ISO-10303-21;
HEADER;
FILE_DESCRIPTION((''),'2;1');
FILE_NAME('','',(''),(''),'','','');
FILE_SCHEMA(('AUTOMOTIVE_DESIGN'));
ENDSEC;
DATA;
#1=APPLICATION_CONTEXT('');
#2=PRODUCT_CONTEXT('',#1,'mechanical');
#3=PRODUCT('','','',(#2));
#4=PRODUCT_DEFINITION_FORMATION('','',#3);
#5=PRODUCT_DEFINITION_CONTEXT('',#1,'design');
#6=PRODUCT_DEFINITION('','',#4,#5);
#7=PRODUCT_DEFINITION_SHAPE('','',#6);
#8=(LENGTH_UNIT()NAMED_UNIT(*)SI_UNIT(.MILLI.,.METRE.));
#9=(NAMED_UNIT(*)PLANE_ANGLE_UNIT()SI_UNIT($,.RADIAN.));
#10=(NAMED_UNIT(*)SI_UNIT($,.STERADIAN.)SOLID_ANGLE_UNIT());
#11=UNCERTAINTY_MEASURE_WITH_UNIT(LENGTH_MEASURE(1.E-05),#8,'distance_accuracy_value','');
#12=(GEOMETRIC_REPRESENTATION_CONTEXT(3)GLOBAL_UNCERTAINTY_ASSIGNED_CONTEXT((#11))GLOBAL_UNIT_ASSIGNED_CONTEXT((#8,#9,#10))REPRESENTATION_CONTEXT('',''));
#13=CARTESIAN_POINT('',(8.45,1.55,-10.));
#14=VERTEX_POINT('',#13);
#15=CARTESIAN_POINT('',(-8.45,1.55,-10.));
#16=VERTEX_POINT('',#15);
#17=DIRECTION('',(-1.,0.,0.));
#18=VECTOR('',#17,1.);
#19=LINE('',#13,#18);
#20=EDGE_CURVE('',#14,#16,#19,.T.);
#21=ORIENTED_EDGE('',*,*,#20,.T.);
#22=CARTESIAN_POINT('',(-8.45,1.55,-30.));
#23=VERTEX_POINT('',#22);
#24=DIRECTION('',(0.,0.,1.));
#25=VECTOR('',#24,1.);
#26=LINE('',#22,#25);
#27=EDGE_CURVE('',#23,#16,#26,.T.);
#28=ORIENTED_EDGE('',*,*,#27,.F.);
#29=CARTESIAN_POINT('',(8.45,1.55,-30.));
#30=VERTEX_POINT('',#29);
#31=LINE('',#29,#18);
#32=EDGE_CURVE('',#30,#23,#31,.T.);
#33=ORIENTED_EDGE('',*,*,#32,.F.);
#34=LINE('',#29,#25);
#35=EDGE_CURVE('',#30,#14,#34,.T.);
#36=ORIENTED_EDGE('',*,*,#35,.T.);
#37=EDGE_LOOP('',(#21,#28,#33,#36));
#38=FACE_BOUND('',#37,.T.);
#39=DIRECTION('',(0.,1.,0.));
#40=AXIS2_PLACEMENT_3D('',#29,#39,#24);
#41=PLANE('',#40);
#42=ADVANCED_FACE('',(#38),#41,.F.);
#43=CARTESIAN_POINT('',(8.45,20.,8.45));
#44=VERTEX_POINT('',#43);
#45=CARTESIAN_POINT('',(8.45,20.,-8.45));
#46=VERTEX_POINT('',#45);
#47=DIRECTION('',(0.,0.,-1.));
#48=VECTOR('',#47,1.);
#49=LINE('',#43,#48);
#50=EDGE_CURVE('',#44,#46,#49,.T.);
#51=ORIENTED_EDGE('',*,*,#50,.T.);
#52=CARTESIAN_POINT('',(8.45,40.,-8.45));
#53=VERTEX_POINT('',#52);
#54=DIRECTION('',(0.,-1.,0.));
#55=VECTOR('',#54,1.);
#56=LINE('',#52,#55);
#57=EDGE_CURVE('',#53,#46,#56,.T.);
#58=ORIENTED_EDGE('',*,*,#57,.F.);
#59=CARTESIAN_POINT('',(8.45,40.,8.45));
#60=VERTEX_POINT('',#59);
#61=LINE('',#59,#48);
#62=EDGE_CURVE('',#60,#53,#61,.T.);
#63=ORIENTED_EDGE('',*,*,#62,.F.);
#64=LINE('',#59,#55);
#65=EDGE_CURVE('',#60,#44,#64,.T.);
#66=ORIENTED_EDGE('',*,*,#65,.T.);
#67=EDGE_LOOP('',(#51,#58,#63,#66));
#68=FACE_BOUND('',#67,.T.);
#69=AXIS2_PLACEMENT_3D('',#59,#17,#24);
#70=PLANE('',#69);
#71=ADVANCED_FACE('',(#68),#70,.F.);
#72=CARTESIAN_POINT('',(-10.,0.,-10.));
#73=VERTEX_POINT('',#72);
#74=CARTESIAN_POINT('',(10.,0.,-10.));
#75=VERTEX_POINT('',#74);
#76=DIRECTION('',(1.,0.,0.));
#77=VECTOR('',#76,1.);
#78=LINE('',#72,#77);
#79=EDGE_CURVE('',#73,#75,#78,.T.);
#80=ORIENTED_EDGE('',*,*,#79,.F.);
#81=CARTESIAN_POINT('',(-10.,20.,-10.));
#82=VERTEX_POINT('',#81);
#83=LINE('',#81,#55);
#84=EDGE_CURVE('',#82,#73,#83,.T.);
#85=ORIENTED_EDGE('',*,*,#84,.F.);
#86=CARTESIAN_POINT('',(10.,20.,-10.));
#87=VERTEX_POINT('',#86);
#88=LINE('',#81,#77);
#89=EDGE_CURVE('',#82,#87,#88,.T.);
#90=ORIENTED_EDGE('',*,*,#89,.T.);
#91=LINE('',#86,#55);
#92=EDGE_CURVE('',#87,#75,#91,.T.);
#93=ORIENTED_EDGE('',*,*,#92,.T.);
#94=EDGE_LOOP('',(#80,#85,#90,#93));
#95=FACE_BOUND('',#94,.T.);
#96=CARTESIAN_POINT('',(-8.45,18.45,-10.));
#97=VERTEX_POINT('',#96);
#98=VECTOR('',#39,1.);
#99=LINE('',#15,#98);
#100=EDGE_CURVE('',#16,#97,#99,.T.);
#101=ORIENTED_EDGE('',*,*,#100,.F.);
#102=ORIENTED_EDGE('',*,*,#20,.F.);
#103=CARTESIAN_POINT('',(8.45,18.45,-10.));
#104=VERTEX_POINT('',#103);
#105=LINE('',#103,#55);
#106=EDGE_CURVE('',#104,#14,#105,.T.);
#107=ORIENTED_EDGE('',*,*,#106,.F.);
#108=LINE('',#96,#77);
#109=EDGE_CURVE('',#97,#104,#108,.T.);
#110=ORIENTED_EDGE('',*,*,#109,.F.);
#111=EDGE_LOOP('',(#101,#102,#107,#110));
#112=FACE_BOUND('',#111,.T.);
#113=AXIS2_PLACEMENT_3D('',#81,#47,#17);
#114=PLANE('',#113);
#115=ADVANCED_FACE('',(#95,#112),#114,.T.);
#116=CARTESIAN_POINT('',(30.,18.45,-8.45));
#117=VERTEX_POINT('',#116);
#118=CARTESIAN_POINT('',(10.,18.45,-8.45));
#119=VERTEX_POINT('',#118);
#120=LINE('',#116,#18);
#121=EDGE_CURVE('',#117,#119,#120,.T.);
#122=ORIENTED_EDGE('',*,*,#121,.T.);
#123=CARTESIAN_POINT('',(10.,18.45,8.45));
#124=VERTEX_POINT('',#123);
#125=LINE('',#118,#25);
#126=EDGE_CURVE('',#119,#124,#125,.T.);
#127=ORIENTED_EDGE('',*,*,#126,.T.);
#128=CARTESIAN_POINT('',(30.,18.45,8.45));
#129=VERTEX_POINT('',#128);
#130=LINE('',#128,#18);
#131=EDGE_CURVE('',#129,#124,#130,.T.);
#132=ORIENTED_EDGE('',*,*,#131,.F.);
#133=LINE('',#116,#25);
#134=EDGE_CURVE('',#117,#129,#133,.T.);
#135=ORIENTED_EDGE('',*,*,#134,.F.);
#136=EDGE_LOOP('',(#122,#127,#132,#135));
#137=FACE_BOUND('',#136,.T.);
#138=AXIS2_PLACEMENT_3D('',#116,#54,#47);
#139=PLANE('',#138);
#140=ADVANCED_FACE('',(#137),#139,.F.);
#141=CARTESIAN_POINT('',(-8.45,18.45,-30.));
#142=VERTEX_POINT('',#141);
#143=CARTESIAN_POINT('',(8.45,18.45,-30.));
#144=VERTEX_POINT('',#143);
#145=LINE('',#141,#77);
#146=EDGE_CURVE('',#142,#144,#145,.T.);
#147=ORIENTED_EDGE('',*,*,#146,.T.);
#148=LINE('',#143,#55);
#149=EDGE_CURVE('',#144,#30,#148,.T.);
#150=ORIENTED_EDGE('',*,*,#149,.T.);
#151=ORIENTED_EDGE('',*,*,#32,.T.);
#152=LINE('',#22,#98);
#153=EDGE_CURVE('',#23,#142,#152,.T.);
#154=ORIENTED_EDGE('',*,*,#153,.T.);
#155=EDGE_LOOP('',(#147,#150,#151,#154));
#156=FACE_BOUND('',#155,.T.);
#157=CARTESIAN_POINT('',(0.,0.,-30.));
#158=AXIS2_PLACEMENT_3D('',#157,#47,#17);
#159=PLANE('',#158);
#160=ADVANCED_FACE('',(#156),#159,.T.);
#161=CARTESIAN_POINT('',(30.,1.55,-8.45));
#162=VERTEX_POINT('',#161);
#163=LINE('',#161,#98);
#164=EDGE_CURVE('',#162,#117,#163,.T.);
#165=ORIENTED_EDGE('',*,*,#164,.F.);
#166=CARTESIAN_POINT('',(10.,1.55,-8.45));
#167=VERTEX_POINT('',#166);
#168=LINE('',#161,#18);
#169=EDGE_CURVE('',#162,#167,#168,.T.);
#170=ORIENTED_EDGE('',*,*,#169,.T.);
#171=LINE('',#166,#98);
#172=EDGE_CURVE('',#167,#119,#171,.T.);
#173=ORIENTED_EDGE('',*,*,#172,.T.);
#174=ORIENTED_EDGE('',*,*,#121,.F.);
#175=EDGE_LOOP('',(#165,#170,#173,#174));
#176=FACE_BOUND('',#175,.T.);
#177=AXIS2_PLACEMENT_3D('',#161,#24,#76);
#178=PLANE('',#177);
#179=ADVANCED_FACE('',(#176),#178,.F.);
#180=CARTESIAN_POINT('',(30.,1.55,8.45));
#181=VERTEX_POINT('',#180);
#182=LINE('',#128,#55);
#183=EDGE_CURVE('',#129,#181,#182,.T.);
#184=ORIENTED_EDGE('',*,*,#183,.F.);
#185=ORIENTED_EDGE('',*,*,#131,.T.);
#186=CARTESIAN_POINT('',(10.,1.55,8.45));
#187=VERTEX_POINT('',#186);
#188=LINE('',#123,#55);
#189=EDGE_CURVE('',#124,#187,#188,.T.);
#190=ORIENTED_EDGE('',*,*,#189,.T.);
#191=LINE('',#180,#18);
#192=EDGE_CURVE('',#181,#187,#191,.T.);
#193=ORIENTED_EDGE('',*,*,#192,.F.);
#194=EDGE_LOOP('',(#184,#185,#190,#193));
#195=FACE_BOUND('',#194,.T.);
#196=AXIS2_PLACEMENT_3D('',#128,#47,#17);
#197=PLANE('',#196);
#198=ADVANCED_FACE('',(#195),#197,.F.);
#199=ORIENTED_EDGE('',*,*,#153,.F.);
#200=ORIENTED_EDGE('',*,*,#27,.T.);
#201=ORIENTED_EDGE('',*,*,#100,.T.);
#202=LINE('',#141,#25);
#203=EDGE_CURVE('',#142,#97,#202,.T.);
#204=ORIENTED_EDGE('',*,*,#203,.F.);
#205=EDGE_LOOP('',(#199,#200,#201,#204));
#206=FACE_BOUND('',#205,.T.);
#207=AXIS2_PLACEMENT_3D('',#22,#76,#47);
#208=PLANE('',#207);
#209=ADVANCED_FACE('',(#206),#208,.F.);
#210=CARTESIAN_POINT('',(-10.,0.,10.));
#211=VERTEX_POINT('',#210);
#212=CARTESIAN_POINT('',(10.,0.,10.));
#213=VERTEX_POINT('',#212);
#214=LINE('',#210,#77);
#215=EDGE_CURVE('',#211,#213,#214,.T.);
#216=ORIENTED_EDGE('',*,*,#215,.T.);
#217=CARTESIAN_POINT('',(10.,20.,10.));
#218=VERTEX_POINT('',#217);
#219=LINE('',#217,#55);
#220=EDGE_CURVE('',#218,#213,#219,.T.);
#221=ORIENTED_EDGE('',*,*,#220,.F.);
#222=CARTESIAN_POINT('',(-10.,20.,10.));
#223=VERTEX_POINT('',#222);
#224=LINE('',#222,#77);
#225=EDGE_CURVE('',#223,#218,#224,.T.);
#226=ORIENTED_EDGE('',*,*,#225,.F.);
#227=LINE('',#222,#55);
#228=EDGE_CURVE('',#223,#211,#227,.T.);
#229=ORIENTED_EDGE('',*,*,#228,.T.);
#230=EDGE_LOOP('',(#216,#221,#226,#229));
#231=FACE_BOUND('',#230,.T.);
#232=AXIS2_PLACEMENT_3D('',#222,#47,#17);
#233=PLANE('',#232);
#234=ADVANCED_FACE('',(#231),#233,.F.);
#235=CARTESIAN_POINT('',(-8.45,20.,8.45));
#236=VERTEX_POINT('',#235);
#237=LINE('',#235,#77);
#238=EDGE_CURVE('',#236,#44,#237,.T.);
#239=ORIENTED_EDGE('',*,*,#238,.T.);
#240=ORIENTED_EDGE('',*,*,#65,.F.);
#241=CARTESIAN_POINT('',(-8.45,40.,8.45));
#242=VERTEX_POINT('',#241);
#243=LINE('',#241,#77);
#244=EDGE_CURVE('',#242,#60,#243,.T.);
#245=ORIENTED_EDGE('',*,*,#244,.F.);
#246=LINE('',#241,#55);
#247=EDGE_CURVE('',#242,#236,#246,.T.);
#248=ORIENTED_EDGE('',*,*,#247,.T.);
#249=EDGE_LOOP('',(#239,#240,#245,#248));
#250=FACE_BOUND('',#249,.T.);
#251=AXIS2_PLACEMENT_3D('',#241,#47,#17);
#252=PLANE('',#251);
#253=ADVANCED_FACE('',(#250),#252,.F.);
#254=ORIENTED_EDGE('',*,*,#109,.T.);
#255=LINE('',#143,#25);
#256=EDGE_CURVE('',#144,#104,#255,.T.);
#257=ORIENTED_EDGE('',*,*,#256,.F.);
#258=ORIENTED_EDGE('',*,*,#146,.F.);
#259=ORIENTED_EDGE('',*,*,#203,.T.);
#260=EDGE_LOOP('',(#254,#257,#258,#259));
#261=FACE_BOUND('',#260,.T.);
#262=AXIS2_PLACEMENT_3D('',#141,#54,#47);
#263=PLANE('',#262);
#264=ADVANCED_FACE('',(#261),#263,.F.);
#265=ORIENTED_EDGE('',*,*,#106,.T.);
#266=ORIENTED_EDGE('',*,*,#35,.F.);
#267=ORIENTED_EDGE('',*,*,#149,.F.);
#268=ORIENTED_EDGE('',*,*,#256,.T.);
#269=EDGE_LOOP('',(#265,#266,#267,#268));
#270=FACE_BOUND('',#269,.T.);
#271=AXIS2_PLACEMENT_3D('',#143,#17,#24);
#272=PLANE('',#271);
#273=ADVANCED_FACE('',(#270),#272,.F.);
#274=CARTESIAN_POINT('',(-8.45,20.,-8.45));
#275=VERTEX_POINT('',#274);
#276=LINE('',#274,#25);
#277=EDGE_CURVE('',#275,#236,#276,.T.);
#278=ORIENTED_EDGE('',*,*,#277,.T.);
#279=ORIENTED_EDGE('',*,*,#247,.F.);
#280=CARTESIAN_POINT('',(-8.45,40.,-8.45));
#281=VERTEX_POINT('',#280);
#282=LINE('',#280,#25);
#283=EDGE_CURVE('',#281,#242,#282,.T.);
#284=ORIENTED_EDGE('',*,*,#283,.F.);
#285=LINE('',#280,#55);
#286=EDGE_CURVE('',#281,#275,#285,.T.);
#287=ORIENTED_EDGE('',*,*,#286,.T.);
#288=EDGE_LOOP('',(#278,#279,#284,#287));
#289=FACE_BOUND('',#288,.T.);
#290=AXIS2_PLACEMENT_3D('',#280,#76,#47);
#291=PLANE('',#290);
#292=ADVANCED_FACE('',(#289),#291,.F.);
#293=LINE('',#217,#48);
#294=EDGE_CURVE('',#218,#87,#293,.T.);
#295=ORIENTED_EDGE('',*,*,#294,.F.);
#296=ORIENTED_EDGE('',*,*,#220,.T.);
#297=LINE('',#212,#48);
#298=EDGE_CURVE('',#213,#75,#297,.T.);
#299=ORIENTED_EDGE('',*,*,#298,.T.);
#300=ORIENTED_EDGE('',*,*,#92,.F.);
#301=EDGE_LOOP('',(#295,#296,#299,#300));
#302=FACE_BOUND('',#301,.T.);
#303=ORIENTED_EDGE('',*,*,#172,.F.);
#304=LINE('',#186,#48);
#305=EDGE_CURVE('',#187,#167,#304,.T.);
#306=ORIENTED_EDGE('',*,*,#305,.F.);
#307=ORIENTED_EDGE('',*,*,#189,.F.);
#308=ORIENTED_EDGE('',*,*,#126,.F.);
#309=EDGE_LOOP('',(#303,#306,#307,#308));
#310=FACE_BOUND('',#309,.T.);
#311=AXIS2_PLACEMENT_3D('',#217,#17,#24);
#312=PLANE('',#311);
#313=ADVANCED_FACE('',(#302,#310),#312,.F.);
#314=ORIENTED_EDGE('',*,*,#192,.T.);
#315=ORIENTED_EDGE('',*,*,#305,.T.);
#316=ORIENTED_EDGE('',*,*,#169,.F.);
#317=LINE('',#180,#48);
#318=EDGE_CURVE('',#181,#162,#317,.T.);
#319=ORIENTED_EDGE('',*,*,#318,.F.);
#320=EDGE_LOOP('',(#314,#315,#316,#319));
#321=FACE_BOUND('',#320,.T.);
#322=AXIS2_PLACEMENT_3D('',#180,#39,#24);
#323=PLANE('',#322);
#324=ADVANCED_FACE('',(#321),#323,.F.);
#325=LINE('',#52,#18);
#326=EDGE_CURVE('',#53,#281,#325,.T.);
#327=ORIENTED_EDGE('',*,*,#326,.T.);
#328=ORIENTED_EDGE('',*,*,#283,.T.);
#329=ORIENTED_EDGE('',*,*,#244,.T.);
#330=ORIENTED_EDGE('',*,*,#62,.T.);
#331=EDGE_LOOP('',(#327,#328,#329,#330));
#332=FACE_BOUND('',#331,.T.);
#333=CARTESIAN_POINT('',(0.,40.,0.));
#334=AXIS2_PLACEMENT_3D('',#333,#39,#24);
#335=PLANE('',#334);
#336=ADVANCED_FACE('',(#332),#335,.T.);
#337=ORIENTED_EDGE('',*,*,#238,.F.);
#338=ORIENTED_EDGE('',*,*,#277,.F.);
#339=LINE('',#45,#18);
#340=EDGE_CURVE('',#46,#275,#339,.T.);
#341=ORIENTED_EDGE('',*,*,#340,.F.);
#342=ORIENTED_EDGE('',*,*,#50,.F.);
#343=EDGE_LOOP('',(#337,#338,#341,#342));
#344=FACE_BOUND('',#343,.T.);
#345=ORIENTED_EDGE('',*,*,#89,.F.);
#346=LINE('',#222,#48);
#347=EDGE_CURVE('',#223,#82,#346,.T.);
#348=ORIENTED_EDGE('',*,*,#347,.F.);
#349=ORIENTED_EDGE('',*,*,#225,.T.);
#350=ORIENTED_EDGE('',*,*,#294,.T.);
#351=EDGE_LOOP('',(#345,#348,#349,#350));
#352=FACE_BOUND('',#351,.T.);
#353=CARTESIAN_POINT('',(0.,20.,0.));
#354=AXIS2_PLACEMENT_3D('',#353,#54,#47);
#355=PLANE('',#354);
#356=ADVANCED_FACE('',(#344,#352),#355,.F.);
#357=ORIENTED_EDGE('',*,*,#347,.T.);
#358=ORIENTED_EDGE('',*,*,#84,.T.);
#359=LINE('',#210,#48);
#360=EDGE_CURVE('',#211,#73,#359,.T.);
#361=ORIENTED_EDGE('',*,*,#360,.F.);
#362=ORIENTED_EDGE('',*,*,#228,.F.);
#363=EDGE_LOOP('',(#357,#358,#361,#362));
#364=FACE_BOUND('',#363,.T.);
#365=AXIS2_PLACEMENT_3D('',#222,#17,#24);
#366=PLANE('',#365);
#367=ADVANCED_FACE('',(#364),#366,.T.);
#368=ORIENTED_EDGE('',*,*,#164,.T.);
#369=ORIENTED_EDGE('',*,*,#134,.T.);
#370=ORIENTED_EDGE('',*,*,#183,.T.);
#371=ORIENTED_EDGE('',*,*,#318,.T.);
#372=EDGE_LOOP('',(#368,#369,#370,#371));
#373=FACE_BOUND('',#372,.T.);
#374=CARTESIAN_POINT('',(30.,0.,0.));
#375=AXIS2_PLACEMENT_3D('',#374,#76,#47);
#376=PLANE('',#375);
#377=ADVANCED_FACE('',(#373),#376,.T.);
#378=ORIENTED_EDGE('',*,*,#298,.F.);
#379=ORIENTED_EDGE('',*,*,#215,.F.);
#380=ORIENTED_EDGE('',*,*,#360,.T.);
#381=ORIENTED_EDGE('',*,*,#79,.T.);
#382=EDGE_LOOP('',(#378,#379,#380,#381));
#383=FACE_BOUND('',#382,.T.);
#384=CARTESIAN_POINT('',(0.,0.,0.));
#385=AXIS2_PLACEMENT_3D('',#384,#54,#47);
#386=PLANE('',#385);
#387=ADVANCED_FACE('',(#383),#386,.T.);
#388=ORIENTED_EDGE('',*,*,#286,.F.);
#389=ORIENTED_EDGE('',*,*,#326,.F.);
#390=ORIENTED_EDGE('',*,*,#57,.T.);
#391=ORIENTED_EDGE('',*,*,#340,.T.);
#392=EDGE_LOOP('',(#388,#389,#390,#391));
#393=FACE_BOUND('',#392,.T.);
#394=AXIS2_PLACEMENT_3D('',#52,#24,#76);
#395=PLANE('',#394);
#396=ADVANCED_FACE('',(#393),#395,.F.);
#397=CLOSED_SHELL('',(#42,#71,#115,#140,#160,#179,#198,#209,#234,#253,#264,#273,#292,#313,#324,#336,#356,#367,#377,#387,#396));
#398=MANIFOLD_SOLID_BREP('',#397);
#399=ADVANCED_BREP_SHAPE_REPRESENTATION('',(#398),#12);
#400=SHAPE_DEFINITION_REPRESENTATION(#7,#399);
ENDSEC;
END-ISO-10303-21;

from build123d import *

# Parameters (mm, degrees)
SKETCH1_W           = 20
SKETCH1_H           = 20
BOSS_EXTRUDE1_DEPTH = 20
SKETCH2_W           = 16.9
SKETCH2_H           = 16.9
BOSS_EXTRUDE2_DEPTH = 20
SKETCH3_W           = 16.9
SKETCH3_H           = 16.9
BOSS_EXTRUDE3_DEPTH = 20
SKETCH4_W           = 16.9
SKETCH4_H           = 16.9
BOSS_EXTRUDE4_DEPTH = 20


with BuildPart() as part:
    # Sketch1 → Boss-Extrude1 (new body)
    with BuildSketch(Plane(origin=(0, 0, 0), x_dir=(1, 0, 0), z_dir=(0, 1, 0))):
        Rectangle(SKETCH1_W, SKETCH1_H)
    extrude(amount=BOSS_EXTRUDE1_DEPTH)

    # Sketch2 → Boss-Extrude2 (add)
    with BuildSketch(Plane(origin=(0, 20, 0), x_dir=(1, 0, 0), z_dir=(0, 1, 0))):
        Rectangle(SKETCH2_W, SKETCH2_H)
    extrude(amount=BOSS_EXTRUDE2_DEPTH)

    # Sketch3 → Boss-Extrude3 (add)
    with BuildSketch(Plane(origin=(10, 0, 0), x_dir=(0, 0, -1), z_dir=(1, 0, 0))):
        with Locations((0, 10)):
            Rectangle(SKETCH3_W, SKETCH3_H)
    extrude(amount=BOSS_EXTRUDE3_DEPTH)

    # Sketch4 → Boss-Extrude4 (add)
    with BuildSketch(Plane(origin=(0, 0, -10), x_dir=(-1, 0, 0), z_dir=(0, 0, -1))):
        with Locations((0, 10)):
            Rectangle(SKETCH4_W, SKETCH4_H)
    extrude(amount=BOSS_EXTRUDE4_DEPTH)


solid = part.part
